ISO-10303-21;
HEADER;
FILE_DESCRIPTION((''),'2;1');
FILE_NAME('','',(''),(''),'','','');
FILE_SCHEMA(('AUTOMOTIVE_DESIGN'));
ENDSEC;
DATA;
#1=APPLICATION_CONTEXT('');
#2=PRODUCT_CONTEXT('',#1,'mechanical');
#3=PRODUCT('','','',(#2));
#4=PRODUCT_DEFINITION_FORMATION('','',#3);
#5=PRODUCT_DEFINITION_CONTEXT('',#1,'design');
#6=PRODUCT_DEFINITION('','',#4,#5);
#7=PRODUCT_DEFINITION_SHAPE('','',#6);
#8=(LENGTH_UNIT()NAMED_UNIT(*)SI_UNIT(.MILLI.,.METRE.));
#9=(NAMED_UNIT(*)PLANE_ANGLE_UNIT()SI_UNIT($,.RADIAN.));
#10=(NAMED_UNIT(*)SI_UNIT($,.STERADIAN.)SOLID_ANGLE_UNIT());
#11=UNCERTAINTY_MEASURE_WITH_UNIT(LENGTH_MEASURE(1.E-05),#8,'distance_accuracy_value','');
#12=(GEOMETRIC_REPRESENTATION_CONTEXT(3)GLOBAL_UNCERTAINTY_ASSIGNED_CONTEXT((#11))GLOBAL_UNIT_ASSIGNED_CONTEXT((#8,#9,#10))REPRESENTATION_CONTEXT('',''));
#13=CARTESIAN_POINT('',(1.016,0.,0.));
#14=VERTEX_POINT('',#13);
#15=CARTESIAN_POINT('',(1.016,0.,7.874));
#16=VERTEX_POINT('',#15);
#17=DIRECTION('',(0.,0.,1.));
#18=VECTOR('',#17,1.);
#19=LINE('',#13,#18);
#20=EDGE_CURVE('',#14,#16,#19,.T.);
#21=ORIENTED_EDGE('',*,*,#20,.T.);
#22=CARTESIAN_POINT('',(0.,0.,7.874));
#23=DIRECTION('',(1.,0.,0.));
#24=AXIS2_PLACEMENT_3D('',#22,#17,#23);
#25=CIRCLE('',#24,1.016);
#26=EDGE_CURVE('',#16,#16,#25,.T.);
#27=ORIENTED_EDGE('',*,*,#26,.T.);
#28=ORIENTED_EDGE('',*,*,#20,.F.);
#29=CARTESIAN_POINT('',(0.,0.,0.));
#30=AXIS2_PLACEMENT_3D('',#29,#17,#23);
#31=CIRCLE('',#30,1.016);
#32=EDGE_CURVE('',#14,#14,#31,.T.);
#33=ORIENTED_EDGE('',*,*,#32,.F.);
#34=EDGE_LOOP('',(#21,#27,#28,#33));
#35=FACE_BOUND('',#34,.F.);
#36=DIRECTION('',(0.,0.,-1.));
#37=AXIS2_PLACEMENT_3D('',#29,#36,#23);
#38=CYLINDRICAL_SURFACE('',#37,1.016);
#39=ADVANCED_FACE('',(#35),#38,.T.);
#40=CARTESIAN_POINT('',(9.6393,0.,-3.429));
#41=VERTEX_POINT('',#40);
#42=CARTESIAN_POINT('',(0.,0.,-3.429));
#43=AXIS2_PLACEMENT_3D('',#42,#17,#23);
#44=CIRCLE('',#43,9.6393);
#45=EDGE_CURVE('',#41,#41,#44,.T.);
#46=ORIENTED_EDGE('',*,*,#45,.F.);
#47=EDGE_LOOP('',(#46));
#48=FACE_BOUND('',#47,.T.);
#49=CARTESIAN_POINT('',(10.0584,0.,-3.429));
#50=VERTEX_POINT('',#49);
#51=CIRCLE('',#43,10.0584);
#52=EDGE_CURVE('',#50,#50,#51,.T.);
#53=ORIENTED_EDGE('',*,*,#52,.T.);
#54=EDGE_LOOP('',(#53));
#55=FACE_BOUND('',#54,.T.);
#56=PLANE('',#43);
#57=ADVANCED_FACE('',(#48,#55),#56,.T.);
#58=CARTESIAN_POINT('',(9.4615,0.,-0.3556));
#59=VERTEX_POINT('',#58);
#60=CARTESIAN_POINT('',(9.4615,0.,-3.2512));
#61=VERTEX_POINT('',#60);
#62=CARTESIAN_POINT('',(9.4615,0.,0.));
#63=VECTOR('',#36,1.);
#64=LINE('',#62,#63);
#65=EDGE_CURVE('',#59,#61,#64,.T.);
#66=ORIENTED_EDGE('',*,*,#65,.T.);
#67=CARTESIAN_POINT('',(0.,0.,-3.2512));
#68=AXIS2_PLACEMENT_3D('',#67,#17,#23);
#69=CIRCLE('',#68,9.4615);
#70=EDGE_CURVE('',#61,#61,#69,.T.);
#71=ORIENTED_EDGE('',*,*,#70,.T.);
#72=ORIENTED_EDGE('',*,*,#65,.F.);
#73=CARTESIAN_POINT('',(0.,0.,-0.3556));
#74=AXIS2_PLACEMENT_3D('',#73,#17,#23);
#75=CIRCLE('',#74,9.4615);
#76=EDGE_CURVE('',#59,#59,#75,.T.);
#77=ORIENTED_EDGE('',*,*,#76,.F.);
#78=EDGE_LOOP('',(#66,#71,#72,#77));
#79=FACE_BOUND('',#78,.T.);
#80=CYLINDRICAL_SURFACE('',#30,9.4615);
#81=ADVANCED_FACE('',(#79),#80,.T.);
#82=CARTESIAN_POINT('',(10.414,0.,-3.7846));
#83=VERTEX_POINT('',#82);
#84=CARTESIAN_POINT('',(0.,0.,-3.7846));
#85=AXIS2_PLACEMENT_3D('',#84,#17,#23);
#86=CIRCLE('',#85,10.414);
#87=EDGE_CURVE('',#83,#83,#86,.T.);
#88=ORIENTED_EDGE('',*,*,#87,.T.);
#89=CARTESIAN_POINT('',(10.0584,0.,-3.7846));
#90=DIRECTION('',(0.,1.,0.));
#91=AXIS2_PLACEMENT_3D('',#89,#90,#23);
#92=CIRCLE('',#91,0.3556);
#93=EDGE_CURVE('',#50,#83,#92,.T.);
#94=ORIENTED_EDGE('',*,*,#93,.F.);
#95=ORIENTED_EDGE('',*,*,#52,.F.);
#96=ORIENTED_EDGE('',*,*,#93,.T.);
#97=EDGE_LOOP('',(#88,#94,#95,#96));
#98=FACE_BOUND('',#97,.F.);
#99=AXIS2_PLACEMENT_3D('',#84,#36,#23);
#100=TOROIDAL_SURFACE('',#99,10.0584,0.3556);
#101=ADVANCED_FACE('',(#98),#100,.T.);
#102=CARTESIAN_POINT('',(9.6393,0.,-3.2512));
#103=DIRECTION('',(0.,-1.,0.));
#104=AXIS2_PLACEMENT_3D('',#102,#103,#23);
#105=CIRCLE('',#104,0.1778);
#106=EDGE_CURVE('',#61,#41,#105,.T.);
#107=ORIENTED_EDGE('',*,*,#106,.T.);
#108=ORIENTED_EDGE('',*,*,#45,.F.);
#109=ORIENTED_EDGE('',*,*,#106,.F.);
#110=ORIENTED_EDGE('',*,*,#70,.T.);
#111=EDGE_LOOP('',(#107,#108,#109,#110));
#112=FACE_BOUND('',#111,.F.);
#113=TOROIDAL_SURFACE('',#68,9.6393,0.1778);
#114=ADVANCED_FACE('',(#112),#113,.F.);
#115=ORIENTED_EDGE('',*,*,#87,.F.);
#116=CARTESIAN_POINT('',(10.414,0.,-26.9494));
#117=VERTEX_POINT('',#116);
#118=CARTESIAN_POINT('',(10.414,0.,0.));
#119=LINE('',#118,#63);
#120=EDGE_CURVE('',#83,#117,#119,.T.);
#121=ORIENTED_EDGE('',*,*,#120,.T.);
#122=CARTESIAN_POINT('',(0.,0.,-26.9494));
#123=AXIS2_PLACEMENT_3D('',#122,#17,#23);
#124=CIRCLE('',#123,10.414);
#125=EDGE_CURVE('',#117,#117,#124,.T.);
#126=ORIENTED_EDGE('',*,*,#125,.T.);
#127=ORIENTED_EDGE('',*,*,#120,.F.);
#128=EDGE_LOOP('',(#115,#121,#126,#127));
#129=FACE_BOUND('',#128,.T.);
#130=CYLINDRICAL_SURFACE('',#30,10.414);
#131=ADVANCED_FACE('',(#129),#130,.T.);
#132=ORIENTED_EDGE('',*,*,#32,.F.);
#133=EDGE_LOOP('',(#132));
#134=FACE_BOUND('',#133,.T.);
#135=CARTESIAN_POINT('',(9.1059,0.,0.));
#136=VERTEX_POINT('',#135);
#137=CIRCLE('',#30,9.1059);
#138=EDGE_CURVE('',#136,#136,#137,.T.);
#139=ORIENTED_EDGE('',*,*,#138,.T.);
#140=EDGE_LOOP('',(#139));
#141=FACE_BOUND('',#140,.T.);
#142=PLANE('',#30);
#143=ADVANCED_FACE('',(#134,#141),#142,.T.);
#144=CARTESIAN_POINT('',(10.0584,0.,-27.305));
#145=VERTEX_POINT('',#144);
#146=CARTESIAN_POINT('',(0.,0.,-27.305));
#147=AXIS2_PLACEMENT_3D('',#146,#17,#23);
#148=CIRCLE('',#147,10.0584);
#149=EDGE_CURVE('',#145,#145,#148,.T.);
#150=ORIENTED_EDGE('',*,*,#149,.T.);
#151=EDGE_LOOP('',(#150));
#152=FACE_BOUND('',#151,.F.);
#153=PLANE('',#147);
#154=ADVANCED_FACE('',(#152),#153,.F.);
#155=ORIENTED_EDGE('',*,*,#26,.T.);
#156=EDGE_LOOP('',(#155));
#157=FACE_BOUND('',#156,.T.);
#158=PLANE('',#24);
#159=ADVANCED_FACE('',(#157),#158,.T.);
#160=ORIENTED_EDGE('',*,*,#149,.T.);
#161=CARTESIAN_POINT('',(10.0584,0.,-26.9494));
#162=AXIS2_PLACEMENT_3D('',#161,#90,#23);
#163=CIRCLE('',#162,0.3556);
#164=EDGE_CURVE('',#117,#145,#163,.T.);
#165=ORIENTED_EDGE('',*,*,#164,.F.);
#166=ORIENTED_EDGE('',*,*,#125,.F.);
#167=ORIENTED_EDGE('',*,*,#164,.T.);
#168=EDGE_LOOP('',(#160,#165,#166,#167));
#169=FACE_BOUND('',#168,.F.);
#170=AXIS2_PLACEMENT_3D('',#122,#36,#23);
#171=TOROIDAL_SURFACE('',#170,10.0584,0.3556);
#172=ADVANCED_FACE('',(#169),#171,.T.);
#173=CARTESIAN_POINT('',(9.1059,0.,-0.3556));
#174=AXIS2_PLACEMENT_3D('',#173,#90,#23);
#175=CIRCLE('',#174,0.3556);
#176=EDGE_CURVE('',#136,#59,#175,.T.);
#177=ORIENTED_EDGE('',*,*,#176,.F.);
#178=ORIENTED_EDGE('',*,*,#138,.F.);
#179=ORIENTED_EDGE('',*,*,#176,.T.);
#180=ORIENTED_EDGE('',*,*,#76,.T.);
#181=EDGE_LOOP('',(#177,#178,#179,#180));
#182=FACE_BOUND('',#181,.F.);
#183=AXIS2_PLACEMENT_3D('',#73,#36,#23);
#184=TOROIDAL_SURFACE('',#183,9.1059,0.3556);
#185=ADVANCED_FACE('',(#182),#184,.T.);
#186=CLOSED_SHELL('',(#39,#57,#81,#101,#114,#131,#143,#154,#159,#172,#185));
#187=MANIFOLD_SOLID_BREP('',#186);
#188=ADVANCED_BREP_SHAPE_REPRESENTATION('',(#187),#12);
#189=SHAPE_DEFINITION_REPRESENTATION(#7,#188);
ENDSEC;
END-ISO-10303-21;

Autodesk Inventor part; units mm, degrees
ref_plane "YZ Plane" through (0, 0, 0) normal (1, 0, 0) x (0, 1, 0)
ref_plane "XZ Plane" through (0, 0, 0) normal (0, 1, 0) x (-1, 0, 0)
ref_plane "XY Plane" through (0, 0, 0) normal (0, 0, 1) x (1, 0, 0)
sketch "Sketch1" plane through (0, 0, 0) normal (0, 0, 1) x (1, 0, 0)
  circle A0 centre (0, 0) radius 1.016
  circle A1 centre (0, 0) radius 10.414
  dimension "d0" = 2.032
  dimension "d1" = 20.828
extrude "Extrusion1" add sketch "Sketch1" along normal blind 7.874 contours A0
extrude "Extrusion2" add sketch "Sketch1" against normal blind 27.305 contours A0 | A1
sketch "Sketch2" plane through (0, 0, 0) normal (0, 0, 1) x (1, 0, 0)
  circle A0 centre (0, 0) radius 9.4615
  circle A1 centre (0, 0) radius 10.414
  dimension "d6" = 18.923
extrude "Extrusion3" cut sketch "Sketch2" against normal blind 3.429
fillet "Fillet1" radius 0.3556 3 edges at (-9.4615, 0, 0) (-10.414, 0, -3.429) (-10.414, 0, -27.305)
fillet "Fillet2" radius 0.1778 1 edges at (-9.4615, 0, -3.429)
properties part number "Motor"
